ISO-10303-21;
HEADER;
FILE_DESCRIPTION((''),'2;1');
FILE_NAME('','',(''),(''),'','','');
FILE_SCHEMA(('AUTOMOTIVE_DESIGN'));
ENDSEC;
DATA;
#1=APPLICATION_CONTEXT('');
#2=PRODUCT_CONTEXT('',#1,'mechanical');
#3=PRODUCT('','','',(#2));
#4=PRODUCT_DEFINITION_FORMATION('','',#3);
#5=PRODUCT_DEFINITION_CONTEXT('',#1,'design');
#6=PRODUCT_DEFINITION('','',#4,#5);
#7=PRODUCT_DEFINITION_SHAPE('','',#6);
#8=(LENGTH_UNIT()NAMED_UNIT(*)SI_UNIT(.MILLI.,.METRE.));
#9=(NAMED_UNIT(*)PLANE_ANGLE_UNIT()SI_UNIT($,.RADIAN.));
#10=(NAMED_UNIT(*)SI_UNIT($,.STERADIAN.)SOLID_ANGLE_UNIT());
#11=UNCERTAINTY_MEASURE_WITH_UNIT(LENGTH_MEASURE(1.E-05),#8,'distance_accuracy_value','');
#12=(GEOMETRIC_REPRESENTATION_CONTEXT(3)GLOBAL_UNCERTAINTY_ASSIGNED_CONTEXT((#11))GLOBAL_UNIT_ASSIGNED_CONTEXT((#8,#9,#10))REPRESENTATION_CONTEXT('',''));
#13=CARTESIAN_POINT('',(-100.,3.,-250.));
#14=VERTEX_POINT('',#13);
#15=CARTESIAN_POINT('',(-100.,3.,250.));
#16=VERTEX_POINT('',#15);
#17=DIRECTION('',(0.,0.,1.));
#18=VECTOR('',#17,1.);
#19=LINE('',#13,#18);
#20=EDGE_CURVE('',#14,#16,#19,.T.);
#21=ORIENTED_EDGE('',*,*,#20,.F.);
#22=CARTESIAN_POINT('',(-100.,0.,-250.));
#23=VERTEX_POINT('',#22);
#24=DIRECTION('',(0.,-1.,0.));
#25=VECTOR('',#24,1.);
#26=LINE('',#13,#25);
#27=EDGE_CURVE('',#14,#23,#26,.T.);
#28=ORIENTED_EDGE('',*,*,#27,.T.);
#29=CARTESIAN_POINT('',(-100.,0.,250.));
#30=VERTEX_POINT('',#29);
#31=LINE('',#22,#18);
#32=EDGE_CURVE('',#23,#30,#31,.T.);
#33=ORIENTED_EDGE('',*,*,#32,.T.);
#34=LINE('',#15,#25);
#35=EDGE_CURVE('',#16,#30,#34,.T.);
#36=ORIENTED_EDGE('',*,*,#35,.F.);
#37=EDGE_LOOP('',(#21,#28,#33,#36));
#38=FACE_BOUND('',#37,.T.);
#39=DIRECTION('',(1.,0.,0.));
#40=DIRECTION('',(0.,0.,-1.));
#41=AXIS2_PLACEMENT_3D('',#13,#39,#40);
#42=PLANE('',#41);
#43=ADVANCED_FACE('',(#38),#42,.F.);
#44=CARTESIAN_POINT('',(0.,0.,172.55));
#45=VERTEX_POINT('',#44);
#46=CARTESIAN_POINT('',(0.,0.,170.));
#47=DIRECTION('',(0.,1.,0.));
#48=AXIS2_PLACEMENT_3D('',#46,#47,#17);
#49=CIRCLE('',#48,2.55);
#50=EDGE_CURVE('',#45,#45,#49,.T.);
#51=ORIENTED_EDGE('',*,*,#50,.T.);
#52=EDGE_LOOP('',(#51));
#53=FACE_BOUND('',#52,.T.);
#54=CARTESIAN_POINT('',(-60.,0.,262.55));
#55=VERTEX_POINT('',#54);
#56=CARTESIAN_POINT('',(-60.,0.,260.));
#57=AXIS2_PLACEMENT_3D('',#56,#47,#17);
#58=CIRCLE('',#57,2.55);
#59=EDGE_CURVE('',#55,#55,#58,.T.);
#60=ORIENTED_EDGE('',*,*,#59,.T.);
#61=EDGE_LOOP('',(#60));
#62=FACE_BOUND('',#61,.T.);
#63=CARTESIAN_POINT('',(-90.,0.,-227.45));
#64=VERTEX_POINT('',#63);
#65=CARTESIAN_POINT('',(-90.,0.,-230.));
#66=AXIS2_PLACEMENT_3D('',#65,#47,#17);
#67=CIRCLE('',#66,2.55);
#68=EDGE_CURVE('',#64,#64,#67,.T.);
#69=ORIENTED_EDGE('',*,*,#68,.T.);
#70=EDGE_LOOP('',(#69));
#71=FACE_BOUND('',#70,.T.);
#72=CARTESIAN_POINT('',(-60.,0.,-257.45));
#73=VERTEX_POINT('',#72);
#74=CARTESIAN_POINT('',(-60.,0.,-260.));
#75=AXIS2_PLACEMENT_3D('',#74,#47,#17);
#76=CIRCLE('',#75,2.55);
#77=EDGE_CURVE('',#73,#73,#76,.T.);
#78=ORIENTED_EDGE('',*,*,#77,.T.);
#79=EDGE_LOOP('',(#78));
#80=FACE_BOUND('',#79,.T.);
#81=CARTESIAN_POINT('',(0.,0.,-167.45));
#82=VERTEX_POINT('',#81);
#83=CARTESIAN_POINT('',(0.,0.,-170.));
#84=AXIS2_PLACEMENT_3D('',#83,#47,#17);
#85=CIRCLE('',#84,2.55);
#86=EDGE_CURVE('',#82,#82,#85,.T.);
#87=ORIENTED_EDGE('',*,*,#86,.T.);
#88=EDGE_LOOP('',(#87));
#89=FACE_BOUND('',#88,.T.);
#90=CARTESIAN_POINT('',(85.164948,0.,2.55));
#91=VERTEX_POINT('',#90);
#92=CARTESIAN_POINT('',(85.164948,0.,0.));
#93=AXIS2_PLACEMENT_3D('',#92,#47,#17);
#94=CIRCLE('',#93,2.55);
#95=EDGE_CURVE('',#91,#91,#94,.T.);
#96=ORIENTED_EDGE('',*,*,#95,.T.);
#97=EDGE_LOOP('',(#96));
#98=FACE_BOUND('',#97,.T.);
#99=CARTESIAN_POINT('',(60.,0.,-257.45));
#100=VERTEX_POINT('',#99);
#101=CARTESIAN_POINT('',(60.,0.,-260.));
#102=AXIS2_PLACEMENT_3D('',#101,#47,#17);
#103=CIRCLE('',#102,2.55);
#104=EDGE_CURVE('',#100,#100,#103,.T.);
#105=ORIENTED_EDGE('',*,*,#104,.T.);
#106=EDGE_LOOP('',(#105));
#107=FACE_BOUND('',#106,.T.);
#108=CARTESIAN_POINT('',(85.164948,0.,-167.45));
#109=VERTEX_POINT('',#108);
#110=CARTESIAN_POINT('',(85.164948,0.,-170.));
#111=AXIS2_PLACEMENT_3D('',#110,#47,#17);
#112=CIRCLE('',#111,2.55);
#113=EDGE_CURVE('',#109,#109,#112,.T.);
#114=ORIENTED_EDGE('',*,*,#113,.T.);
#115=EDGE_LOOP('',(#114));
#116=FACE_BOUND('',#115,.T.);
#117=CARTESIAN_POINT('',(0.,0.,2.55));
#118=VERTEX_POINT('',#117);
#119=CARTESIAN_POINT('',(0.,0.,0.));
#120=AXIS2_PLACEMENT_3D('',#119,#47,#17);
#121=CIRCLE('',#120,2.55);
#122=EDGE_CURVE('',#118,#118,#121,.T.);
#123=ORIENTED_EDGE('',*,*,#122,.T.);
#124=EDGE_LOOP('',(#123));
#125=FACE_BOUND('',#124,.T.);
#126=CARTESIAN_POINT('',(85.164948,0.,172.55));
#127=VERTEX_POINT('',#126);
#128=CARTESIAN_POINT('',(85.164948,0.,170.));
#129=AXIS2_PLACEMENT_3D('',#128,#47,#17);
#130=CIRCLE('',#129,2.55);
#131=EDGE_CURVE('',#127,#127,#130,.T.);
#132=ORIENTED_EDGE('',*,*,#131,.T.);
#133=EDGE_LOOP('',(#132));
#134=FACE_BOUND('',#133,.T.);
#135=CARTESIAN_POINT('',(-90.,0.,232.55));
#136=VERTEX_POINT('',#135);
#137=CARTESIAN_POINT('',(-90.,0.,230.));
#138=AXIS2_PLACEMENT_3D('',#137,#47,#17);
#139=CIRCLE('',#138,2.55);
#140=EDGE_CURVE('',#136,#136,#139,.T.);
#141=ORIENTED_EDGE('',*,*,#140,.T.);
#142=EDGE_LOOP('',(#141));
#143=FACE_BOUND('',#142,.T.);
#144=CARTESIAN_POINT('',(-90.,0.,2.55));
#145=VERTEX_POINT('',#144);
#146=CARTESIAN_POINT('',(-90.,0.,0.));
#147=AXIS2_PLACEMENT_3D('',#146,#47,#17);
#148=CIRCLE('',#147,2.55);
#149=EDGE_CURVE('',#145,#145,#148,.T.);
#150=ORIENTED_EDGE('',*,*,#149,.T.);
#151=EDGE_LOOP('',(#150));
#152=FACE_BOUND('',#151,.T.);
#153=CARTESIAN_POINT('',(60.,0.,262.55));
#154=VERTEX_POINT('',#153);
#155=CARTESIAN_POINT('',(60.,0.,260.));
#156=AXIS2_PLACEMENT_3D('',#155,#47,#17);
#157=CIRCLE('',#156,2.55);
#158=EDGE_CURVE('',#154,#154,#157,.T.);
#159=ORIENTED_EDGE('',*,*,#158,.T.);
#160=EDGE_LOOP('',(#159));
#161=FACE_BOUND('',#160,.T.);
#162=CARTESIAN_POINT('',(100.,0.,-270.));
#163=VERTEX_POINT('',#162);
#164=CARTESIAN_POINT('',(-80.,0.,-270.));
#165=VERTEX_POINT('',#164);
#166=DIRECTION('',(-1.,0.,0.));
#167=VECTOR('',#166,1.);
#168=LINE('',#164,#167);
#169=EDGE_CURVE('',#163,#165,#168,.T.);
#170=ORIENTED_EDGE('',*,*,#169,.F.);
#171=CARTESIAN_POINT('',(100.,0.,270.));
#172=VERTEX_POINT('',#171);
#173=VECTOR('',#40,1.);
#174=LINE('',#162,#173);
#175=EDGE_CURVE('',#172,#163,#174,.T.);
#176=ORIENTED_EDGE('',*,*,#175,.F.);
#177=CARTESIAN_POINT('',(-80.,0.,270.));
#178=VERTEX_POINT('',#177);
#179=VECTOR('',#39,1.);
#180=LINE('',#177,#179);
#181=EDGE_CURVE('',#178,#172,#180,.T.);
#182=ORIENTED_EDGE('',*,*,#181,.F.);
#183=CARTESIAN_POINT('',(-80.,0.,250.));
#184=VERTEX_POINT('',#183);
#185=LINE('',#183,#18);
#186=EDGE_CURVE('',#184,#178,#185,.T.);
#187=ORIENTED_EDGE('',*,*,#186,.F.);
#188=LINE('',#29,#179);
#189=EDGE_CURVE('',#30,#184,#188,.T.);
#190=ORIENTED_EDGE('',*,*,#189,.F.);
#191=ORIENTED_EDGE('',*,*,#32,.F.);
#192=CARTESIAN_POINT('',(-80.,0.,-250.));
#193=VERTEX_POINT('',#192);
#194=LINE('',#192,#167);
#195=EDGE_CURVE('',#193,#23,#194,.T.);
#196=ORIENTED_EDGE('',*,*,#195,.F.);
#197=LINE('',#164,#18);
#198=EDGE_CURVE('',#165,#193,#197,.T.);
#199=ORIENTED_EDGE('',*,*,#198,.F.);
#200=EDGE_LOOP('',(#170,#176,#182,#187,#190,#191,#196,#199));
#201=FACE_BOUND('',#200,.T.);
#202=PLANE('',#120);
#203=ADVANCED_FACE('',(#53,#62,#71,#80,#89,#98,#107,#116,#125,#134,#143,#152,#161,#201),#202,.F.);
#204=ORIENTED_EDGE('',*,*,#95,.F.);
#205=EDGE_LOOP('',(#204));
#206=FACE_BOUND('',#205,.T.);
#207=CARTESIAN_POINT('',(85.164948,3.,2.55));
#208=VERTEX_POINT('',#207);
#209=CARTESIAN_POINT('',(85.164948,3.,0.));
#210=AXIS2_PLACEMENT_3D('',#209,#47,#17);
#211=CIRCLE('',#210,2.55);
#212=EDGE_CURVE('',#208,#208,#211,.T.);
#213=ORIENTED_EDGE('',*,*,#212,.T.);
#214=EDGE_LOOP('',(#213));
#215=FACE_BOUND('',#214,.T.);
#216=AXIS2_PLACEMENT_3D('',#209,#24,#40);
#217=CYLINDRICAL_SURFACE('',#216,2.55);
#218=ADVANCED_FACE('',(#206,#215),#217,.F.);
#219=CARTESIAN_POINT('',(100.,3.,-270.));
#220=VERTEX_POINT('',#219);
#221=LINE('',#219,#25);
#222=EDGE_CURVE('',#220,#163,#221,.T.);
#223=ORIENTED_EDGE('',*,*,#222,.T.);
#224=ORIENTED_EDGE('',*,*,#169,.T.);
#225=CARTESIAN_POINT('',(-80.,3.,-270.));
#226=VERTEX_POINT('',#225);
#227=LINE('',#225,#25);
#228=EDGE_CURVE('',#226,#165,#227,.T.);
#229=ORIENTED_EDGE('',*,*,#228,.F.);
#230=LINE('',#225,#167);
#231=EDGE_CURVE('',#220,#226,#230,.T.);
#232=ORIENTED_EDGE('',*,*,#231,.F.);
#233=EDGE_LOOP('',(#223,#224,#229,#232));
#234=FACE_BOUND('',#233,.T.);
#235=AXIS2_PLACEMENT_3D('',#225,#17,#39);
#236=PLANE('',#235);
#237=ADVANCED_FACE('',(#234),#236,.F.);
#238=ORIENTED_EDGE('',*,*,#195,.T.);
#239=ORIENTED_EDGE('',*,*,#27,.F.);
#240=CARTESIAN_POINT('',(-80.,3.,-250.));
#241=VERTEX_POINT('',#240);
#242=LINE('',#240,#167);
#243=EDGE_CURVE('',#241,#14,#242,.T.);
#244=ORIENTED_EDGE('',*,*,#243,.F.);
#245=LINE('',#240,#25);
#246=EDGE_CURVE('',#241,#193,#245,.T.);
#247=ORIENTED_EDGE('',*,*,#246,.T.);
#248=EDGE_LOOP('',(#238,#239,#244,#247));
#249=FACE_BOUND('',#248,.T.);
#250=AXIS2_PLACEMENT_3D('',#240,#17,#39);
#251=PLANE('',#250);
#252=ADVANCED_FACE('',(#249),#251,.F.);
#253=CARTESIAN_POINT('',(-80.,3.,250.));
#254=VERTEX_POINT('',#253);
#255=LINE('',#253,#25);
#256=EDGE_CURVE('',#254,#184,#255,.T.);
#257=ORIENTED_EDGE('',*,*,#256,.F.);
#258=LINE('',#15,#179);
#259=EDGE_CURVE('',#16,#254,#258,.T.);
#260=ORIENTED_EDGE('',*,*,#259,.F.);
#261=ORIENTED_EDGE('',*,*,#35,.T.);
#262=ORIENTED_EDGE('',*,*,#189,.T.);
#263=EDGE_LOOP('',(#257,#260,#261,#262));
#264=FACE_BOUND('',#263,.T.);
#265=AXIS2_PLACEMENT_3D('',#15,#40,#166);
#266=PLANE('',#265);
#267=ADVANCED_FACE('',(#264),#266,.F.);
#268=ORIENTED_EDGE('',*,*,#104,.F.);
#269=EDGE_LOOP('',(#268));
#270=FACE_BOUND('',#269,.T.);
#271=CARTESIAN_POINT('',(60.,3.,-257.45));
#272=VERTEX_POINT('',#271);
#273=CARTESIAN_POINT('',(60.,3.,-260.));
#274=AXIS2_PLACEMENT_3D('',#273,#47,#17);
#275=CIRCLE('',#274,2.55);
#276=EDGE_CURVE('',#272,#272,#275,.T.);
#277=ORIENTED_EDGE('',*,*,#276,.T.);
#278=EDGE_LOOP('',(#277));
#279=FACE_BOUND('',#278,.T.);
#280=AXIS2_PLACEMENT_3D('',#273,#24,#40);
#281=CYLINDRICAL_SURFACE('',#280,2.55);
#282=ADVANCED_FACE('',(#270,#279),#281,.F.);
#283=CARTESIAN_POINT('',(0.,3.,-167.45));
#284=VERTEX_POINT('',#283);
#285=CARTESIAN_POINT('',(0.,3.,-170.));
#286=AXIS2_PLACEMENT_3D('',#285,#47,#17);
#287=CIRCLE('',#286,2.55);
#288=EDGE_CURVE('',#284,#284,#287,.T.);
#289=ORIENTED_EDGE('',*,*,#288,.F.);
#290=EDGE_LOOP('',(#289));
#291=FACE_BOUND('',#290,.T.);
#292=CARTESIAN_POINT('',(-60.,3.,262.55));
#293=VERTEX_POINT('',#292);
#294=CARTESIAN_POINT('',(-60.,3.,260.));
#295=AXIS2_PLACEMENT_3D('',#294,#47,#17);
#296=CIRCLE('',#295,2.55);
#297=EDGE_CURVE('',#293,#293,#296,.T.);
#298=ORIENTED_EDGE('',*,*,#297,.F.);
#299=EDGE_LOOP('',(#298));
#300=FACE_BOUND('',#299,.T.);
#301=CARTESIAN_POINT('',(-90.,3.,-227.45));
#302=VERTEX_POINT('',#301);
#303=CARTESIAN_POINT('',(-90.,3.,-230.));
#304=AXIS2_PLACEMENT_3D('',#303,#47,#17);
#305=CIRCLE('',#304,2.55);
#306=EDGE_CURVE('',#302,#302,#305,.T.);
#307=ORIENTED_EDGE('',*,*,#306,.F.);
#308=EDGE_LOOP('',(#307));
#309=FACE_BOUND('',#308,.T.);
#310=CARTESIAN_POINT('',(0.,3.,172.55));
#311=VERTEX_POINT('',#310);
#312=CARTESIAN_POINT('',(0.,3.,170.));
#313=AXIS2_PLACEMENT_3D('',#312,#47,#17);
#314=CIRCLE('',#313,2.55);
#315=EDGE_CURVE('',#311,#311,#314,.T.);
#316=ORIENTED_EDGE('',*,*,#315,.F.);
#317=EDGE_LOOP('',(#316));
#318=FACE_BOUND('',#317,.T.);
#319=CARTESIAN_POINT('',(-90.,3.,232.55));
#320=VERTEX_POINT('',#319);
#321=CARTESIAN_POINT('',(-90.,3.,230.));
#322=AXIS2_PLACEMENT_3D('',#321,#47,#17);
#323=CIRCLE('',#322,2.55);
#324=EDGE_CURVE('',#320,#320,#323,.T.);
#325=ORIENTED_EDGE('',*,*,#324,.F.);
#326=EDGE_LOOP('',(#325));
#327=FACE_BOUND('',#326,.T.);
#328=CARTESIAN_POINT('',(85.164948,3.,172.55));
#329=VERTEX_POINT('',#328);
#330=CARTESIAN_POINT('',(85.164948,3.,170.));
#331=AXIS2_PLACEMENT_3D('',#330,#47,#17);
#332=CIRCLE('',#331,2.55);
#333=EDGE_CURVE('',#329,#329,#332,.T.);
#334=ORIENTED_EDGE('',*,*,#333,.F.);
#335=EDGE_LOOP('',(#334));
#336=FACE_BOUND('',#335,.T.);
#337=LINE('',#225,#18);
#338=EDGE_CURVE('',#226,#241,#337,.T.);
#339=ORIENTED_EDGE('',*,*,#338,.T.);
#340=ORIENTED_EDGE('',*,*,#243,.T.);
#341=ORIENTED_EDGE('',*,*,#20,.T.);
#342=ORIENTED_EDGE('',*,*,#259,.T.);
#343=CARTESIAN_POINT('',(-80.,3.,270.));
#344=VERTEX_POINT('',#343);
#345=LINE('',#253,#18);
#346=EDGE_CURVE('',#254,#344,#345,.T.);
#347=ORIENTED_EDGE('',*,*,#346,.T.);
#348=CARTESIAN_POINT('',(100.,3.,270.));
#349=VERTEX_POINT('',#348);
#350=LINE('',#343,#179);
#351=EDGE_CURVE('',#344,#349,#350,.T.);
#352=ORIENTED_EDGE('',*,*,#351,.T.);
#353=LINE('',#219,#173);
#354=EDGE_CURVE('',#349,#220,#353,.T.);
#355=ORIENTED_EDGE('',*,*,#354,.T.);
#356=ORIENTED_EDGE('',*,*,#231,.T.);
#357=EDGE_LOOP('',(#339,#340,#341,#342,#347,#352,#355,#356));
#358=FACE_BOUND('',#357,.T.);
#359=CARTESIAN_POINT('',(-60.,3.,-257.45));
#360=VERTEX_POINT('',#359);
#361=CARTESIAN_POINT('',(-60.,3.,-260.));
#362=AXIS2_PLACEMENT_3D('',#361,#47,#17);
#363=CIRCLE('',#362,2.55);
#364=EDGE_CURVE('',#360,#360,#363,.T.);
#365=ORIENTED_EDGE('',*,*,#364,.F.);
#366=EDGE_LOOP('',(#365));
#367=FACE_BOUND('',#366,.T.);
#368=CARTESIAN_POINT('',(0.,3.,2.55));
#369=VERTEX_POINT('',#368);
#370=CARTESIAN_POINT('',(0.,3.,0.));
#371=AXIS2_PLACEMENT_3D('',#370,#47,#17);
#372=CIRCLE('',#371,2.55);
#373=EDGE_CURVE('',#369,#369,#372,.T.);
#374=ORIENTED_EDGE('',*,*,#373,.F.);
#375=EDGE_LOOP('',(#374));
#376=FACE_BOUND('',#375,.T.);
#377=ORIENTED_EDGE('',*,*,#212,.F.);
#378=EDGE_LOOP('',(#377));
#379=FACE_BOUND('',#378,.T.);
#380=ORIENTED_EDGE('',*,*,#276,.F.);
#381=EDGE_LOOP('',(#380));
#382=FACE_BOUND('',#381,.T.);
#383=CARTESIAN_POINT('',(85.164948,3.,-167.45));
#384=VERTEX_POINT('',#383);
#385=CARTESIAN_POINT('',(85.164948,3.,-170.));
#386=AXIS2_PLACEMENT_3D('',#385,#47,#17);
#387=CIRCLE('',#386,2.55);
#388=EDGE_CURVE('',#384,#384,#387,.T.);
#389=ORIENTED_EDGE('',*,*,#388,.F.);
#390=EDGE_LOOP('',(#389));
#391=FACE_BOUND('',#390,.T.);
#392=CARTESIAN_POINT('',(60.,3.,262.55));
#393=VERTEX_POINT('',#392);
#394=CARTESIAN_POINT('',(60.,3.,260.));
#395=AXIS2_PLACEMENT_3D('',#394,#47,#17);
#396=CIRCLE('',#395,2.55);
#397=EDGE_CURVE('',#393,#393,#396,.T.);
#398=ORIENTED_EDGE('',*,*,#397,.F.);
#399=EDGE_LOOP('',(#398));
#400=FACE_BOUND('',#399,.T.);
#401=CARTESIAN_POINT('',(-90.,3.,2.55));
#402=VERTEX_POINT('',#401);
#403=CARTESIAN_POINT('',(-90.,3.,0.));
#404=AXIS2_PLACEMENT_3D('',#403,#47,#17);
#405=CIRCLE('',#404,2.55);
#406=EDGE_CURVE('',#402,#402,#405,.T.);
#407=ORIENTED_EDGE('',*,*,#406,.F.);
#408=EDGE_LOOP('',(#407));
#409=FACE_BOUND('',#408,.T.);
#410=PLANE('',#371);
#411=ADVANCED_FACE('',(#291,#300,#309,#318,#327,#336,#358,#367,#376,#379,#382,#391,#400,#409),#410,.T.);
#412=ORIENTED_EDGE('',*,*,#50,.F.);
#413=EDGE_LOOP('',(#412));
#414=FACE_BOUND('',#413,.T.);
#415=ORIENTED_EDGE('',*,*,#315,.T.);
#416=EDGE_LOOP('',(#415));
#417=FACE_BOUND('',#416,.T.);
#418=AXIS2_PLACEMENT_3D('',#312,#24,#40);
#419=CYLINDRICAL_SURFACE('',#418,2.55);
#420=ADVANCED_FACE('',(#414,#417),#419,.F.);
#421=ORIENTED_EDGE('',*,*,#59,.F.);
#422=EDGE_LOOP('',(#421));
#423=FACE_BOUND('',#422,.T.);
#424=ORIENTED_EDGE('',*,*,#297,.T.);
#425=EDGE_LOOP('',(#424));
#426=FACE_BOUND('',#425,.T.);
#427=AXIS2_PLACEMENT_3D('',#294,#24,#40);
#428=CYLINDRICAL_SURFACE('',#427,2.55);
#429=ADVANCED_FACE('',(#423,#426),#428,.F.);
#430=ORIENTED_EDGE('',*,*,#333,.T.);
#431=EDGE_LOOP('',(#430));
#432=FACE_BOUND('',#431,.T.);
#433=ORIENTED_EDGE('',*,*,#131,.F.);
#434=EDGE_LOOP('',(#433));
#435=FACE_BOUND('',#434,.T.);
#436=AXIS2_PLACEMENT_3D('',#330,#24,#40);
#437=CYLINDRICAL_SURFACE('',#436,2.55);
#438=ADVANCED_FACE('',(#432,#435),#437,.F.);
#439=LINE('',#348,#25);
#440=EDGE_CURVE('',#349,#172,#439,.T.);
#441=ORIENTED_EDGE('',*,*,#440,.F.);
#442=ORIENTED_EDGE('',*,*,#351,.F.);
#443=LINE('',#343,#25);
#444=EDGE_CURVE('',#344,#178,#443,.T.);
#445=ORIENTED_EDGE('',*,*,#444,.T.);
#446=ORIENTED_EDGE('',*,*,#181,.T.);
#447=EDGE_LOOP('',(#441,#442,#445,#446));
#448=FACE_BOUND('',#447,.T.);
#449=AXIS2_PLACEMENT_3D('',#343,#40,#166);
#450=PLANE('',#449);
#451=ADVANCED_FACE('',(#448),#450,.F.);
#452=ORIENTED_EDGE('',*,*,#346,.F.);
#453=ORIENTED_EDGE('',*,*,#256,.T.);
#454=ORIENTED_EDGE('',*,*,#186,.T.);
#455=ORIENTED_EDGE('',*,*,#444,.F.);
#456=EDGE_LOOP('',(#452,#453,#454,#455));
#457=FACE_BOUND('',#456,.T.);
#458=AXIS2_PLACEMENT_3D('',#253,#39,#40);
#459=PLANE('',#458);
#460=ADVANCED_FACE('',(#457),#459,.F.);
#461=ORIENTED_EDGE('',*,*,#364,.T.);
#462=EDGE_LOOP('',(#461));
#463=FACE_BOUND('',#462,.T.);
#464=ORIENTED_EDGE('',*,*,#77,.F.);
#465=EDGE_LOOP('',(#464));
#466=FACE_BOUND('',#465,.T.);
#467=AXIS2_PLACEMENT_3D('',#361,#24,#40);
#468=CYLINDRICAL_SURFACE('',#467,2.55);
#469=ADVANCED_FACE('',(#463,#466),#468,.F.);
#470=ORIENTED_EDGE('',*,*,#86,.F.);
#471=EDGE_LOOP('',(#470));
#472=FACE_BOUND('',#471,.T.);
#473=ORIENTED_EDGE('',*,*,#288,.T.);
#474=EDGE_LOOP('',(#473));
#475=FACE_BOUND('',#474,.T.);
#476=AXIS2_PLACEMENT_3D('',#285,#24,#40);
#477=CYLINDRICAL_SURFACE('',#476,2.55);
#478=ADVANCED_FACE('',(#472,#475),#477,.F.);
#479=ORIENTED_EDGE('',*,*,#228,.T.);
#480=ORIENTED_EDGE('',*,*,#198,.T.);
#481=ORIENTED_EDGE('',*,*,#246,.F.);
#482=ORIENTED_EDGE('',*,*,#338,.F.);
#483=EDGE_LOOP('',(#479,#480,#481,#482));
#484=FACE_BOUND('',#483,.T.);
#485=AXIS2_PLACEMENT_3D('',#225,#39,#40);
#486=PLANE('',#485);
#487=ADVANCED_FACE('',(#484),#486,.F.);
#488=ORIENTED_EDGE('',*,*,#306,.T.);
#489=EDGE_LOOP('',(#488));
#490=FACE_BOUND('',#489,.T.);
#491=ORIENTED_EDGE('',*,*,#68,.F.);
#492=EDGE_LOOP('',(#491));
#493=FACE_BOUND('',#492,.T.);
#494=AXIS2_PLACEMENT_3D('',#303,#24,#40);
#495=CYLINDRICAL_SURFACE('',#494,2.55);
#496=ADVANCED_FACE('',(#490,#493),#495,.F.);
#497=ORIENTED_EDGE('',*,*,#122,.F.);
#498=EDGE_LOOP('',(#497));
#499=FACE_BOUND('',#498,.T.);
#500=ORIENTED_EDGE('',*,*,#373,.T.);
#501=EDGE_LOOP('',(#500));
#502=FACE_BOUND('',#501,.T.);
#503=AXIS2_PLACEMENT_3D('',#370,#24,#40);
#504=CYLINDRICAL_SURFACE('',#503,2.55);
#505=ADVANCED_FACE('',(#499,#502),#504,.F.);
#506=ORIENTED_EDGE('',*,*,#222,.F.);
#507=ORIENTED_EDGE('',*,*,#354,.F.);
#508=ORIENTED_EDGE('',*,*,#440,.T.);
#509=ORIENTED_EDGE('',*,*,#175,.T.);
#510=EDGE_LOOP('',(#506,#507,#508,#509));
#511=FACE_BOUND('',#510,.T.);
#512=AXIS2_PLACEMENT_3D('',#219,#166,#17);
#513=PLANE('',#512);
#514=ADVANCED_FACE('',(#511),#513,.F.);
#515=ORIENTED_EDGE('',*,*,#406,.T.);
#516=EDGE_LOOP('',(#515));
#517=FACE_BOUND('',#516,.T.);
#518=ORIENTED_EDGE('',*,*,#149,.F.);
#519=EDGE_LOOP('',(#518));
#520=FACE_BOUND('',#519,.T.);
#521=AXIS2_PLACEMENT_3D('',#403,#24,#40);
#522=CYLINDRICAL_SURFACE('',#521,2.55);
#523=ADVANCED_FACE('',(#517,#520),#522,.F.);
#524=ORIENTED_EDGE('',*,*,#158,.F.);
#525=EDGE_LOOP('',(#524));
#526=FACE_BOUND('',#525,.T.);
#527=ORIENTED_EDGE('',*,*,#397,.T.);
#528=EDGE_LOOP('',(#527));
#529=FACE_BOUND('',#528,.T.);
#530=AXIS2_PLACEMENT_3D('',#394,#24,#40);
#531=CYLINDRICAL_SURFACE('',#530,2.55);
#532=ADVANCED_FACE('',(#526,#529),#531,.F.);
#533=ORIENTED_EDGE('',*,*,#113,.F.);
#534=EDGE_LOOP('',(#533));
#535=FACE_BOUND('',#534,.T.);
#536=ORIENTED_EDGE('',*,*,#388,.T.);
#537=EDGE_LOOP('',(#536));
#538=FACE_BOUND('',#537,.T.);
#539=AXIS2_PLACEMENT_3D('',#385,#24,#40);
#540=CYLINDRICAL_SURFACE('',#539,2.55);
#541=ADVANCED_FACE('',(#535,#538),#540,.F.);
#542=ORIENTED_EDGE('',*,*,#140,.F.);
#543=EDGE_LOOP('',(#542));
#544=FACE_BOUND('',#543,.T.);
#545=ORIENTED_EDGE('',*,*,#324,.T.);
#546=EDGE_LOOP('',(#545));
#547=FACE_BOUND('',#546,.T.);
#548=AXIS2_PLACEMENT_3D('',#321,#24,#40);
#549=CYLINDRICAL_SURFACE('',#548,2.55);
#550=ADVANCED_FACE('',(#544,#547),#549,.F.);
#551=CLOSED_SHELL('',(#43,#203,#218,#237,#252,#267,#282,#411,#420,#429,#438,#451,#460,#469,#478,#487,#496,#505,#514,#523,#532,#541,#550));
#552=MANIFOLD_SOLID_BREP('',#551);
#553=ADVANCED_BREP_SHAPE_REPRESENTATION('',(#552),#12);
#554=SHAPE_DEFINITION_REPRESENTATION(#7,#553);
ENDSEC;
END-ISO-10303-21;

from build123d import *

# Parameters (mm, degrees)
SKETCH1_R           = 2.55
BOSS_EXTRUDE1_DEPTH = 3


with BuildPart() as part:
    # Sketch1 → Boss-Extrude1 (new body)
    with BuildSketch(Plane(origin=(0, 0, 0), x_dir=(1, 0, 0), z_dir=(0, 1, 0))):
        Polygon((-80, 270), (-80, 250), (-100, 250), (-100, -250), (-80, -250), (-80, -270), (100, -270), (100, 270), align=None)
        with Locations((-60, 260)):
            Circle(SKETCH1_R, mode=Mode.SUBTRACT)
        with Locations((60, 260)):
            Circle(SKETCH1_R, mode=Mode.SUBTRACT)
        with Locations((-90, 230)):
            Circle(SKETCH1_R, mode=Mode.SUBTRACT)
        with Locations((-90, 0)):
            Circle(SKETCH1_R, mode=Mode.SUBTRACT)
        with Locations((-90, -230)):
            Circle(SKETCH1_R, mode=Mode.SUBTRACT)
        with Locations((60, -260)):
            Circle(SKETCH1_R, mode=Mode.SUBTRACT)
        Circle(SKETCH1_R, mode=Mode.SUBTRACT)
        with Locations((0, 170)):
            Circle(SKETCH1_R, mode=Mode.SUBTRACT)
        with Locations((0, -170)):
            Circle(SKETCH1_R, mode=Mode.SUBTRACT)
        with Locations((-60, -260)):
            Circle(SKETCH1_R, mode=Mode.SUBTRACT)
        with Locations((85.164947562, 0)):
            Circle(SKETCH1_R, mode=Mode.SUBTRACT)
        with Locations((85.164947562, 170)):
            Circle(SKETCH1_R, mode=Mode.SUBTRACT)
        with Locations((85.164947562, -170)):
            Circle(SKETCH1_R, mode=Mode.SUBTRACT)
    extrude(amount=BOSS_EXTRUDE1_DEPTH)


solid = part.part
